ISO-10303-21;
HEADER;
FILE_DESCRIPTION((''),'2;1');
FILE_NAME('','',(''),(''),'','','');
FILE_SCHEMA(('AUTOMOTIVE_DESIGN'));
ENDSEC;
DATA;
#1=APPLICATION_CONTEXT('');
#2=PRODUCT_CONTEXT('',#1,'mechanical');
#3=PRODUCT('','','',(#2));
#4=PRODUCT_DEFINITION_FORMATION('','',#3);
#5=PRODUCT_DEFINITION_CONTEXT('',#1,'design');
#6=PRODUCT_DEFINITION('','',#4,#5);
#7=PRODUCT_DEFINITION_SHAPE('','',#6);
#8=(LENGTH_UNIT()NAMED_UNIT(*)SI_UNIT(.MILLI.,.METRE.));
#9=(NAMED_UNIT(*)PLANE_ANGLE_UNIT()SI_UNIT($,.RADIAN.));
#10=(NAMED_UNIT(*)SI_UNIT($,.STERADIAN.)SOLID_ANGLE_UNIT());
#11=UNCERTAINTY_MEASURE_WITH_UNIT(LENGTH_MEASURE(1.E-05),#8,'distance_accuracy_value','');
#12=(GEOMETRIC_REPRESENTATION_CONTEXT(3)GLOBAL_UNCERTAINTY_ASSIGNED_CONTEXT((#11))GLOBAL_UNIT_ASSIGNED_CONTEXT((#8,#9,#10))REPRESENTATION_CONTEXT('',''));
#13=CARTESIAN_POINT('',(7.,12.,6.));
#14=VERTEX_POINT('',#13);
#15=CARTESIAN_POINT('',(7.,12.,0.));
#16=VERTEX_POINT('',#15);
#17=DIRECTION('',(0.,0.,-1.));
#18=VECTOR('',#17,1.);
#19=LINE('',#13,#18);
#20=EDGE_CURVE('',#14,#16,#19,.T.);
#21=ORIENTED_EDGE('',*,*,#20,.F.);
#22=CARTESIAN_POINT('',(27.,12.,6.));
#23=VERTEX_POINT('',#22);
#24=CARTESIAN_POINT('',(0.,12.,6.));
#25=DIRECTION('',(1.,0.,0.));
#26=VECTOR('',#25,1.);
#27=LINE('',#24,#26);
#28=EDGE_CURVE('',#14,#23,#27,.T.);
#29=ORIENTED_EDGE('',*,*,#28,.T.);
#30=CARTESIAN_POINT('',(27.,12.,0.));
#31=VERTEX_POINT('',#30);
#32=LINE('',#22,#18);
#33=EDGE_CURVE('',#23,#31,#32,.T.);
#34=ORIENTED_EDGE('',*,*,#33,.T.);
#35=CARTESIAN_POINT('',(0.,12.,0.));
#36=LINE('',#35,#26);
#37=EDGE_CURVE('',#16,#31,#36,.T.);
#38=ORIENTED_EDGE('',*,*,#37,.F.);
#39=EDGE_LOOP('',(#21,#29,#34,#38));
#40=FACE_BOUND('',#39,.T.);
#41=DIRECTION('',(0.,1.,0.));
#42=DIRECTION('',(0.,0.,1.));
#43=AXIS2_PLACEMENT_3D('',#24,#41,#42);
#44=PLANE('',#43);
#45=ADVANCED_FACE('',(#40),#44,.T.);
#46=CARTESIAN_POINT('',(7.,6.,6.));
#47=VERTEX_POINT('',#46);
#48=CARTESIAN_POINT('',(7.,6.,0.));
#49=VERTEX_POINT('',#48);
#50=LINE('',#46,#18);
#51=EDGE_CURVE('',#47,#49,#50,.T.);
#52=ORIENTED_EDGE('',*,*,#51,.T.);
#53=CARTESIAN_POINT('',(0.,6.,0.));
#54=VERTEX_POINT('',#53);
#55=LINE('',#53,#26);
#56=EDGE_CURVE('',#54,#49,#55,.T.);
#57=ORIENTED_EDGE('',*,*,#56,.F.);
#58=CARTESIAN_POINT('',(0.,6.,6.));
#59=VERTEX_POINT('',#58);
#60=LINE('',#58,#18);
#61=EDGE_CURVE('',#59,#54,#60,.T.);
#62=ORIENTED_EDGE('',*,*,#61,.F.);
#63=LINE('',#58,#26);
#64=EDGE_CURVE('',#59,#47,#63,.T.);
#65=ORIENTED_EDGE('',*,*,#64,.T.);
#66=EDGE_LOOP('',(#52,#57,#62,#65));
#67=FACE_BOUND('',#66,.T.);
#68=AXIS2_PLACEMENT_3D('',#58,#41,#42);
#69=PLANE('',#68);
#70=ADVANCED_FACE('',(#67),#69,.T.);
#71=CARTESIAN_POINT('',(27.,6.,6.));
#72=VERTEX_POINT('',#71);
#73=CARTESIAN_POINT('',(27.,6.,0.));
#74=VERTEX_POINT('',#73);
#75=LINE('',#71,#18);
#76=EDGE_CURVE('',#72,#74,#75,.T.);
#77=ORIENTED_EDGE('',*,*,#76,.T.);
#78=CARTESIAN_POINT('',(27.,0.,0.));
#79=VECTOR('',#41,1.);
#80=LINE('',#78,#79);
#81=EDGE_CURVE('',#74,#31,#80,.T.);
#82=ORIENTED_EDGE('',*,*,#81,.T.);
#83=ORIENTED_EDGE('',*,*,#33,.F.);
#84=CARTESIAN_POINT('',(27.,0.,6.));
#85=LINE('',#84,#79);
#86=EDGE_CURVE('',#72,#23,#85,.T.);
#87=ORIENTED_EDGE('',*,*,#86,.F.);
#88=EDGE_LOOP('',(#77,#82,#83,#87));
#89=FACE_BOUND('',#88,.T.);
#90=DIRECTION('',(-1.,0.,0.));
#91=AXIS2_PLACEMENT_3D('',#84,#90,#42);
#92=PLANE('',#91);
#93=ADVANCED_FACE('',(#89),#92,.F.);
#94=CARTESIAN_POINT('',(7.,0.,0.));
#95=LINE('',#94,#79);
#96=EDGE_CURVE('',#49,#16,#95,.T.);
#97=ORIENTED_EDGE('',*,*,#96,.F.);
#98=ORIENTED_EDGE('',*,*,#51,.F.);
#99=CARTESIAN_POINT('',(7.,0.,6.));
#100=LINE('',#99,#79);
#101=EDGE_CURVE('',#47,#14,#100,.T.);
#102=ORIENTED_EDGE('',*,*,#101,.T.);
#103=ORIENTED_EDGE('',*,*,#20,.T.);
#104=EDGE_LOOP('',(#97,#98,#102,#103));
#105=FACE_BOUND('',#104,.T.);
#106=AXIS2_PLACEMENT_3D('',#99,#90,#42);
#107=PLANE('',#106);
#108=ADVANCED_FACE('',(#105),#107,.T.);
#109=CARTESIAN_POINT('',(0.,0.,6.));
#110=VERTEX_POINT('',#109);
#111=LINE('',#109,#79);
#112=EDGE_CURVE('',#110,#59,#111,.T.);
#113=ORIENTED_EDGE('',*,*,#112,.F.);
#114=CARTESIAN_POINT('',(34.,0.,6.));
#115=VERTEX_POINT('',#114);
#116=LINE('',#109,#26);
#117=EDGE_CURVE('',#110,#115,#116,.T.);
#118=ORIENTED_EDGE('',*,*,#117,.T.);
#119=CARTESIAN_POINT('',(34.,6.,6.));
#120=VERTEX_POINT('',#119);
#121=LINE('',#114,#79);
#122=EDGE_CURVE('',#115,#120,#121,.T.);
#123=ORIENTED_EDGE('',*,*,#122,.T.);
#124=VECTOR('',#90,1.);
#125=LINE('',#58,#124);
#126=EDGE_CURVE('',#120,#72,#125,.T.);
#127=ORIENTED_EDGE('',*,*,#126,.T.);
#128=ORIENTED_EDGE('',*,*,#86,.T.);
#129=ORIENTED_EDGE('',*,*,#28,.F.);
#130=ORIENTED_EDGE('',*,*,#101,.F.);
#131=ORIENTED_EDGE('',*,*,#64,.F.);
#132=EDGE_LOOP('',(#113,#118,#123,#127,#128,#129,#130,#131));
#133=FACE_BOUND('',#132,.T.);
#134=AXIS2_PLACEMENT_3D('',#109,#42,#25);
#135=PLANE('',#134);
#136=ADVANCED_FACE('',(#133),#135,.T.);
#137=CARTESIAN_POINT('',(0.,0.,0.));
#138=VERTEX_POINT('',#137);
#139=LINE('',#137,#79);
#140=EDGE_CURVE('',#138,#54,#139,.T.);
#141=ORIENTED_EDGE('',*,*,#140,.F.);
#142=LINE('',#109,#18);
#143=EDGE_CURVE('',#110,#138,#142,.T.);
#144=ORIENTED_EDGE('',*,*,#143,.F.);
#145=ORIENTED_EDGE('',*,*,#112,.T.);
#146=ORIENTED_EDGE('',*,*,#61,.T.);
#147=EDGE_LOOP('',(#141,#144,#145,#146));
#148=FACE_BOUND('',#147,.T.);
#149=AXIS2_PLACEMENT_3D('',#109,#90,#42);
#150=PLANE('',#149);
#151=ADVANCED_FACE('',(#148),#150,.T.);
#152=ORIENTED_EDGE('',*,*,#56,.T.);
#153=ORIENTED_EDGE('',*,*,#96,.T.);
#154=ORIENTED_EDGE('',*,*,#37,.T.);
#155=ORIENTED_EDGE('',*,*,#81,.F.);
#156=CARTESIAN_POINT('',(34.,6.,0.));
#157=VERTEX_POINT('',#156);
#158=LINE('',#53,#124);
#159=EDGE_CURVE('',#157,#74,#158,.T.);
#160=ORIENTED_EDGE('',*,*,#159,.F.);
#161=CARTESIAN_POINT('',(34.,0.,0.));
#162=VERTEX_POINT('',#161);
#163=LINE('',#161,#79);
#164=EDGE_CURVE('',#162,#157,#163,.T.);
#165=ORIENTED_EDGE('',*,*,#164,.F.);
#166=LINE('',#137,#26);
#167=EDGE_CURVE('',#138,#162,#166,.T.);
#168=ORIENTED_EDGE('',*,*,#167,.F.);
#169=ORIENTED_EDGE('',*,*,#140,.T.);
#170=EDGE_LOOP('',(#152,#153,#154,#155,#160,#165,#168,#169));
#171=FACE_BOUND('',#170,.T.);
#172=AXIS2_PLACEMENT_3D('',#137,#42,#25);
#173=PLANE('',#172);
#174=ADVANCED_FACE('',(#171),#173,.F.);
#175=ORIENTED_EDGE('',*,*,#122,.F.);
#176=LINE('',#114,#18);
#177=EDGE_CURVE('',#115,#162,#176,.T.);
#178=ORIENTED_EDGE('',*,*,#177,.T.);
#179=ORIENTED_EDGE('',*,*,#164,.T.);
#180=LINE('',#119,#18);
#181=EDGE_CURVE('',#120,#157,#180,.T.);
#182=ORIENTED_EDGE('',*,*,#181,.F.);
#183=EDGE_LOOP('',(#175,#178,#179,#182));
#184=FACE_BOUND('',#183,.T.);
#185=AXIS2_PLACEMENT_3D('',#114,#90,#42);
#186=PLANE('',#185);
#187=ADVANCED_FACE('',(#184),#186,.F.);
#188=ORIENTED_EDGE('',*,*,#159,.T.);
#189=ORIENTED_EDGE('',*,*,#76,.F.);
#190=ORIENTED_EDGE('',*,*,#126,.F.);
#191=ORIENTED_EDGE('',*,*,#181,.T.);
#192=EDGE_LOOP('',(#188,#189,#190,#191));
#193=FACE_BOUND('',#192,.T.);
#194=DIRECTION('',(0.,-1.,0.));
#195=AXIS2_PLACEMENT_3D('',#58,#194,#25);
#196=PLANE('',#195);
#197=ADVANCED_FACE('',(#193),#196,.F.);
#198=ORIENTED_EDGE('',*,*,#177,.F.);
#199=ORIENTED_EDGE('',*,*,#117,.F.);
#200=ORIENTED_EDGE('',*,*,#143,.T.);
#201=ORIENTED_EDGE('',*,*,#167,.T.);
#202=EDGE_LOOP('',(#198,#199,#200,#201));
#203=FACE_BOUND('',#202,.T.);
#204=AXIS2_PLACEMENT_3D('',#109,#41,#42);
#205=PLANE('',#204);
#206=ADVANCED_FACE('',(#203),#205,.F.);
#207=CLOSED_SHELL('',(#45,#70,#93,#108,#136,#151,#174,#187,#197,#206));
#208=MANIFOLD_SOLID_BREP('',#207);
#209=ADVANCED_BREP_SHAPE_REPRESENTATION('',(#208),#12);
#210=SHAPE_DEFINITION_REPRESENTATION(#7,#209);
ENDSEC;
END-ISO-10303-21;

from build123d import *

# Parameters (mm, degrees)
RESSALTO_EXTRUS_O1_DEPTH = 6


with BuildPart() as part:
    # Esboço1 → Ressalto-extrusão1 (new body)
    with BuildSketch(Plane.XY):
        Polygon((7, 12), (7, 6), (0, 6), (0, 0), (34, 0), (34, 6), (27, 6), (27, 12), align=None)
    extrude(amount=RESSALTO_EXTRUS_O1_DEPTH)


solid = part.part
